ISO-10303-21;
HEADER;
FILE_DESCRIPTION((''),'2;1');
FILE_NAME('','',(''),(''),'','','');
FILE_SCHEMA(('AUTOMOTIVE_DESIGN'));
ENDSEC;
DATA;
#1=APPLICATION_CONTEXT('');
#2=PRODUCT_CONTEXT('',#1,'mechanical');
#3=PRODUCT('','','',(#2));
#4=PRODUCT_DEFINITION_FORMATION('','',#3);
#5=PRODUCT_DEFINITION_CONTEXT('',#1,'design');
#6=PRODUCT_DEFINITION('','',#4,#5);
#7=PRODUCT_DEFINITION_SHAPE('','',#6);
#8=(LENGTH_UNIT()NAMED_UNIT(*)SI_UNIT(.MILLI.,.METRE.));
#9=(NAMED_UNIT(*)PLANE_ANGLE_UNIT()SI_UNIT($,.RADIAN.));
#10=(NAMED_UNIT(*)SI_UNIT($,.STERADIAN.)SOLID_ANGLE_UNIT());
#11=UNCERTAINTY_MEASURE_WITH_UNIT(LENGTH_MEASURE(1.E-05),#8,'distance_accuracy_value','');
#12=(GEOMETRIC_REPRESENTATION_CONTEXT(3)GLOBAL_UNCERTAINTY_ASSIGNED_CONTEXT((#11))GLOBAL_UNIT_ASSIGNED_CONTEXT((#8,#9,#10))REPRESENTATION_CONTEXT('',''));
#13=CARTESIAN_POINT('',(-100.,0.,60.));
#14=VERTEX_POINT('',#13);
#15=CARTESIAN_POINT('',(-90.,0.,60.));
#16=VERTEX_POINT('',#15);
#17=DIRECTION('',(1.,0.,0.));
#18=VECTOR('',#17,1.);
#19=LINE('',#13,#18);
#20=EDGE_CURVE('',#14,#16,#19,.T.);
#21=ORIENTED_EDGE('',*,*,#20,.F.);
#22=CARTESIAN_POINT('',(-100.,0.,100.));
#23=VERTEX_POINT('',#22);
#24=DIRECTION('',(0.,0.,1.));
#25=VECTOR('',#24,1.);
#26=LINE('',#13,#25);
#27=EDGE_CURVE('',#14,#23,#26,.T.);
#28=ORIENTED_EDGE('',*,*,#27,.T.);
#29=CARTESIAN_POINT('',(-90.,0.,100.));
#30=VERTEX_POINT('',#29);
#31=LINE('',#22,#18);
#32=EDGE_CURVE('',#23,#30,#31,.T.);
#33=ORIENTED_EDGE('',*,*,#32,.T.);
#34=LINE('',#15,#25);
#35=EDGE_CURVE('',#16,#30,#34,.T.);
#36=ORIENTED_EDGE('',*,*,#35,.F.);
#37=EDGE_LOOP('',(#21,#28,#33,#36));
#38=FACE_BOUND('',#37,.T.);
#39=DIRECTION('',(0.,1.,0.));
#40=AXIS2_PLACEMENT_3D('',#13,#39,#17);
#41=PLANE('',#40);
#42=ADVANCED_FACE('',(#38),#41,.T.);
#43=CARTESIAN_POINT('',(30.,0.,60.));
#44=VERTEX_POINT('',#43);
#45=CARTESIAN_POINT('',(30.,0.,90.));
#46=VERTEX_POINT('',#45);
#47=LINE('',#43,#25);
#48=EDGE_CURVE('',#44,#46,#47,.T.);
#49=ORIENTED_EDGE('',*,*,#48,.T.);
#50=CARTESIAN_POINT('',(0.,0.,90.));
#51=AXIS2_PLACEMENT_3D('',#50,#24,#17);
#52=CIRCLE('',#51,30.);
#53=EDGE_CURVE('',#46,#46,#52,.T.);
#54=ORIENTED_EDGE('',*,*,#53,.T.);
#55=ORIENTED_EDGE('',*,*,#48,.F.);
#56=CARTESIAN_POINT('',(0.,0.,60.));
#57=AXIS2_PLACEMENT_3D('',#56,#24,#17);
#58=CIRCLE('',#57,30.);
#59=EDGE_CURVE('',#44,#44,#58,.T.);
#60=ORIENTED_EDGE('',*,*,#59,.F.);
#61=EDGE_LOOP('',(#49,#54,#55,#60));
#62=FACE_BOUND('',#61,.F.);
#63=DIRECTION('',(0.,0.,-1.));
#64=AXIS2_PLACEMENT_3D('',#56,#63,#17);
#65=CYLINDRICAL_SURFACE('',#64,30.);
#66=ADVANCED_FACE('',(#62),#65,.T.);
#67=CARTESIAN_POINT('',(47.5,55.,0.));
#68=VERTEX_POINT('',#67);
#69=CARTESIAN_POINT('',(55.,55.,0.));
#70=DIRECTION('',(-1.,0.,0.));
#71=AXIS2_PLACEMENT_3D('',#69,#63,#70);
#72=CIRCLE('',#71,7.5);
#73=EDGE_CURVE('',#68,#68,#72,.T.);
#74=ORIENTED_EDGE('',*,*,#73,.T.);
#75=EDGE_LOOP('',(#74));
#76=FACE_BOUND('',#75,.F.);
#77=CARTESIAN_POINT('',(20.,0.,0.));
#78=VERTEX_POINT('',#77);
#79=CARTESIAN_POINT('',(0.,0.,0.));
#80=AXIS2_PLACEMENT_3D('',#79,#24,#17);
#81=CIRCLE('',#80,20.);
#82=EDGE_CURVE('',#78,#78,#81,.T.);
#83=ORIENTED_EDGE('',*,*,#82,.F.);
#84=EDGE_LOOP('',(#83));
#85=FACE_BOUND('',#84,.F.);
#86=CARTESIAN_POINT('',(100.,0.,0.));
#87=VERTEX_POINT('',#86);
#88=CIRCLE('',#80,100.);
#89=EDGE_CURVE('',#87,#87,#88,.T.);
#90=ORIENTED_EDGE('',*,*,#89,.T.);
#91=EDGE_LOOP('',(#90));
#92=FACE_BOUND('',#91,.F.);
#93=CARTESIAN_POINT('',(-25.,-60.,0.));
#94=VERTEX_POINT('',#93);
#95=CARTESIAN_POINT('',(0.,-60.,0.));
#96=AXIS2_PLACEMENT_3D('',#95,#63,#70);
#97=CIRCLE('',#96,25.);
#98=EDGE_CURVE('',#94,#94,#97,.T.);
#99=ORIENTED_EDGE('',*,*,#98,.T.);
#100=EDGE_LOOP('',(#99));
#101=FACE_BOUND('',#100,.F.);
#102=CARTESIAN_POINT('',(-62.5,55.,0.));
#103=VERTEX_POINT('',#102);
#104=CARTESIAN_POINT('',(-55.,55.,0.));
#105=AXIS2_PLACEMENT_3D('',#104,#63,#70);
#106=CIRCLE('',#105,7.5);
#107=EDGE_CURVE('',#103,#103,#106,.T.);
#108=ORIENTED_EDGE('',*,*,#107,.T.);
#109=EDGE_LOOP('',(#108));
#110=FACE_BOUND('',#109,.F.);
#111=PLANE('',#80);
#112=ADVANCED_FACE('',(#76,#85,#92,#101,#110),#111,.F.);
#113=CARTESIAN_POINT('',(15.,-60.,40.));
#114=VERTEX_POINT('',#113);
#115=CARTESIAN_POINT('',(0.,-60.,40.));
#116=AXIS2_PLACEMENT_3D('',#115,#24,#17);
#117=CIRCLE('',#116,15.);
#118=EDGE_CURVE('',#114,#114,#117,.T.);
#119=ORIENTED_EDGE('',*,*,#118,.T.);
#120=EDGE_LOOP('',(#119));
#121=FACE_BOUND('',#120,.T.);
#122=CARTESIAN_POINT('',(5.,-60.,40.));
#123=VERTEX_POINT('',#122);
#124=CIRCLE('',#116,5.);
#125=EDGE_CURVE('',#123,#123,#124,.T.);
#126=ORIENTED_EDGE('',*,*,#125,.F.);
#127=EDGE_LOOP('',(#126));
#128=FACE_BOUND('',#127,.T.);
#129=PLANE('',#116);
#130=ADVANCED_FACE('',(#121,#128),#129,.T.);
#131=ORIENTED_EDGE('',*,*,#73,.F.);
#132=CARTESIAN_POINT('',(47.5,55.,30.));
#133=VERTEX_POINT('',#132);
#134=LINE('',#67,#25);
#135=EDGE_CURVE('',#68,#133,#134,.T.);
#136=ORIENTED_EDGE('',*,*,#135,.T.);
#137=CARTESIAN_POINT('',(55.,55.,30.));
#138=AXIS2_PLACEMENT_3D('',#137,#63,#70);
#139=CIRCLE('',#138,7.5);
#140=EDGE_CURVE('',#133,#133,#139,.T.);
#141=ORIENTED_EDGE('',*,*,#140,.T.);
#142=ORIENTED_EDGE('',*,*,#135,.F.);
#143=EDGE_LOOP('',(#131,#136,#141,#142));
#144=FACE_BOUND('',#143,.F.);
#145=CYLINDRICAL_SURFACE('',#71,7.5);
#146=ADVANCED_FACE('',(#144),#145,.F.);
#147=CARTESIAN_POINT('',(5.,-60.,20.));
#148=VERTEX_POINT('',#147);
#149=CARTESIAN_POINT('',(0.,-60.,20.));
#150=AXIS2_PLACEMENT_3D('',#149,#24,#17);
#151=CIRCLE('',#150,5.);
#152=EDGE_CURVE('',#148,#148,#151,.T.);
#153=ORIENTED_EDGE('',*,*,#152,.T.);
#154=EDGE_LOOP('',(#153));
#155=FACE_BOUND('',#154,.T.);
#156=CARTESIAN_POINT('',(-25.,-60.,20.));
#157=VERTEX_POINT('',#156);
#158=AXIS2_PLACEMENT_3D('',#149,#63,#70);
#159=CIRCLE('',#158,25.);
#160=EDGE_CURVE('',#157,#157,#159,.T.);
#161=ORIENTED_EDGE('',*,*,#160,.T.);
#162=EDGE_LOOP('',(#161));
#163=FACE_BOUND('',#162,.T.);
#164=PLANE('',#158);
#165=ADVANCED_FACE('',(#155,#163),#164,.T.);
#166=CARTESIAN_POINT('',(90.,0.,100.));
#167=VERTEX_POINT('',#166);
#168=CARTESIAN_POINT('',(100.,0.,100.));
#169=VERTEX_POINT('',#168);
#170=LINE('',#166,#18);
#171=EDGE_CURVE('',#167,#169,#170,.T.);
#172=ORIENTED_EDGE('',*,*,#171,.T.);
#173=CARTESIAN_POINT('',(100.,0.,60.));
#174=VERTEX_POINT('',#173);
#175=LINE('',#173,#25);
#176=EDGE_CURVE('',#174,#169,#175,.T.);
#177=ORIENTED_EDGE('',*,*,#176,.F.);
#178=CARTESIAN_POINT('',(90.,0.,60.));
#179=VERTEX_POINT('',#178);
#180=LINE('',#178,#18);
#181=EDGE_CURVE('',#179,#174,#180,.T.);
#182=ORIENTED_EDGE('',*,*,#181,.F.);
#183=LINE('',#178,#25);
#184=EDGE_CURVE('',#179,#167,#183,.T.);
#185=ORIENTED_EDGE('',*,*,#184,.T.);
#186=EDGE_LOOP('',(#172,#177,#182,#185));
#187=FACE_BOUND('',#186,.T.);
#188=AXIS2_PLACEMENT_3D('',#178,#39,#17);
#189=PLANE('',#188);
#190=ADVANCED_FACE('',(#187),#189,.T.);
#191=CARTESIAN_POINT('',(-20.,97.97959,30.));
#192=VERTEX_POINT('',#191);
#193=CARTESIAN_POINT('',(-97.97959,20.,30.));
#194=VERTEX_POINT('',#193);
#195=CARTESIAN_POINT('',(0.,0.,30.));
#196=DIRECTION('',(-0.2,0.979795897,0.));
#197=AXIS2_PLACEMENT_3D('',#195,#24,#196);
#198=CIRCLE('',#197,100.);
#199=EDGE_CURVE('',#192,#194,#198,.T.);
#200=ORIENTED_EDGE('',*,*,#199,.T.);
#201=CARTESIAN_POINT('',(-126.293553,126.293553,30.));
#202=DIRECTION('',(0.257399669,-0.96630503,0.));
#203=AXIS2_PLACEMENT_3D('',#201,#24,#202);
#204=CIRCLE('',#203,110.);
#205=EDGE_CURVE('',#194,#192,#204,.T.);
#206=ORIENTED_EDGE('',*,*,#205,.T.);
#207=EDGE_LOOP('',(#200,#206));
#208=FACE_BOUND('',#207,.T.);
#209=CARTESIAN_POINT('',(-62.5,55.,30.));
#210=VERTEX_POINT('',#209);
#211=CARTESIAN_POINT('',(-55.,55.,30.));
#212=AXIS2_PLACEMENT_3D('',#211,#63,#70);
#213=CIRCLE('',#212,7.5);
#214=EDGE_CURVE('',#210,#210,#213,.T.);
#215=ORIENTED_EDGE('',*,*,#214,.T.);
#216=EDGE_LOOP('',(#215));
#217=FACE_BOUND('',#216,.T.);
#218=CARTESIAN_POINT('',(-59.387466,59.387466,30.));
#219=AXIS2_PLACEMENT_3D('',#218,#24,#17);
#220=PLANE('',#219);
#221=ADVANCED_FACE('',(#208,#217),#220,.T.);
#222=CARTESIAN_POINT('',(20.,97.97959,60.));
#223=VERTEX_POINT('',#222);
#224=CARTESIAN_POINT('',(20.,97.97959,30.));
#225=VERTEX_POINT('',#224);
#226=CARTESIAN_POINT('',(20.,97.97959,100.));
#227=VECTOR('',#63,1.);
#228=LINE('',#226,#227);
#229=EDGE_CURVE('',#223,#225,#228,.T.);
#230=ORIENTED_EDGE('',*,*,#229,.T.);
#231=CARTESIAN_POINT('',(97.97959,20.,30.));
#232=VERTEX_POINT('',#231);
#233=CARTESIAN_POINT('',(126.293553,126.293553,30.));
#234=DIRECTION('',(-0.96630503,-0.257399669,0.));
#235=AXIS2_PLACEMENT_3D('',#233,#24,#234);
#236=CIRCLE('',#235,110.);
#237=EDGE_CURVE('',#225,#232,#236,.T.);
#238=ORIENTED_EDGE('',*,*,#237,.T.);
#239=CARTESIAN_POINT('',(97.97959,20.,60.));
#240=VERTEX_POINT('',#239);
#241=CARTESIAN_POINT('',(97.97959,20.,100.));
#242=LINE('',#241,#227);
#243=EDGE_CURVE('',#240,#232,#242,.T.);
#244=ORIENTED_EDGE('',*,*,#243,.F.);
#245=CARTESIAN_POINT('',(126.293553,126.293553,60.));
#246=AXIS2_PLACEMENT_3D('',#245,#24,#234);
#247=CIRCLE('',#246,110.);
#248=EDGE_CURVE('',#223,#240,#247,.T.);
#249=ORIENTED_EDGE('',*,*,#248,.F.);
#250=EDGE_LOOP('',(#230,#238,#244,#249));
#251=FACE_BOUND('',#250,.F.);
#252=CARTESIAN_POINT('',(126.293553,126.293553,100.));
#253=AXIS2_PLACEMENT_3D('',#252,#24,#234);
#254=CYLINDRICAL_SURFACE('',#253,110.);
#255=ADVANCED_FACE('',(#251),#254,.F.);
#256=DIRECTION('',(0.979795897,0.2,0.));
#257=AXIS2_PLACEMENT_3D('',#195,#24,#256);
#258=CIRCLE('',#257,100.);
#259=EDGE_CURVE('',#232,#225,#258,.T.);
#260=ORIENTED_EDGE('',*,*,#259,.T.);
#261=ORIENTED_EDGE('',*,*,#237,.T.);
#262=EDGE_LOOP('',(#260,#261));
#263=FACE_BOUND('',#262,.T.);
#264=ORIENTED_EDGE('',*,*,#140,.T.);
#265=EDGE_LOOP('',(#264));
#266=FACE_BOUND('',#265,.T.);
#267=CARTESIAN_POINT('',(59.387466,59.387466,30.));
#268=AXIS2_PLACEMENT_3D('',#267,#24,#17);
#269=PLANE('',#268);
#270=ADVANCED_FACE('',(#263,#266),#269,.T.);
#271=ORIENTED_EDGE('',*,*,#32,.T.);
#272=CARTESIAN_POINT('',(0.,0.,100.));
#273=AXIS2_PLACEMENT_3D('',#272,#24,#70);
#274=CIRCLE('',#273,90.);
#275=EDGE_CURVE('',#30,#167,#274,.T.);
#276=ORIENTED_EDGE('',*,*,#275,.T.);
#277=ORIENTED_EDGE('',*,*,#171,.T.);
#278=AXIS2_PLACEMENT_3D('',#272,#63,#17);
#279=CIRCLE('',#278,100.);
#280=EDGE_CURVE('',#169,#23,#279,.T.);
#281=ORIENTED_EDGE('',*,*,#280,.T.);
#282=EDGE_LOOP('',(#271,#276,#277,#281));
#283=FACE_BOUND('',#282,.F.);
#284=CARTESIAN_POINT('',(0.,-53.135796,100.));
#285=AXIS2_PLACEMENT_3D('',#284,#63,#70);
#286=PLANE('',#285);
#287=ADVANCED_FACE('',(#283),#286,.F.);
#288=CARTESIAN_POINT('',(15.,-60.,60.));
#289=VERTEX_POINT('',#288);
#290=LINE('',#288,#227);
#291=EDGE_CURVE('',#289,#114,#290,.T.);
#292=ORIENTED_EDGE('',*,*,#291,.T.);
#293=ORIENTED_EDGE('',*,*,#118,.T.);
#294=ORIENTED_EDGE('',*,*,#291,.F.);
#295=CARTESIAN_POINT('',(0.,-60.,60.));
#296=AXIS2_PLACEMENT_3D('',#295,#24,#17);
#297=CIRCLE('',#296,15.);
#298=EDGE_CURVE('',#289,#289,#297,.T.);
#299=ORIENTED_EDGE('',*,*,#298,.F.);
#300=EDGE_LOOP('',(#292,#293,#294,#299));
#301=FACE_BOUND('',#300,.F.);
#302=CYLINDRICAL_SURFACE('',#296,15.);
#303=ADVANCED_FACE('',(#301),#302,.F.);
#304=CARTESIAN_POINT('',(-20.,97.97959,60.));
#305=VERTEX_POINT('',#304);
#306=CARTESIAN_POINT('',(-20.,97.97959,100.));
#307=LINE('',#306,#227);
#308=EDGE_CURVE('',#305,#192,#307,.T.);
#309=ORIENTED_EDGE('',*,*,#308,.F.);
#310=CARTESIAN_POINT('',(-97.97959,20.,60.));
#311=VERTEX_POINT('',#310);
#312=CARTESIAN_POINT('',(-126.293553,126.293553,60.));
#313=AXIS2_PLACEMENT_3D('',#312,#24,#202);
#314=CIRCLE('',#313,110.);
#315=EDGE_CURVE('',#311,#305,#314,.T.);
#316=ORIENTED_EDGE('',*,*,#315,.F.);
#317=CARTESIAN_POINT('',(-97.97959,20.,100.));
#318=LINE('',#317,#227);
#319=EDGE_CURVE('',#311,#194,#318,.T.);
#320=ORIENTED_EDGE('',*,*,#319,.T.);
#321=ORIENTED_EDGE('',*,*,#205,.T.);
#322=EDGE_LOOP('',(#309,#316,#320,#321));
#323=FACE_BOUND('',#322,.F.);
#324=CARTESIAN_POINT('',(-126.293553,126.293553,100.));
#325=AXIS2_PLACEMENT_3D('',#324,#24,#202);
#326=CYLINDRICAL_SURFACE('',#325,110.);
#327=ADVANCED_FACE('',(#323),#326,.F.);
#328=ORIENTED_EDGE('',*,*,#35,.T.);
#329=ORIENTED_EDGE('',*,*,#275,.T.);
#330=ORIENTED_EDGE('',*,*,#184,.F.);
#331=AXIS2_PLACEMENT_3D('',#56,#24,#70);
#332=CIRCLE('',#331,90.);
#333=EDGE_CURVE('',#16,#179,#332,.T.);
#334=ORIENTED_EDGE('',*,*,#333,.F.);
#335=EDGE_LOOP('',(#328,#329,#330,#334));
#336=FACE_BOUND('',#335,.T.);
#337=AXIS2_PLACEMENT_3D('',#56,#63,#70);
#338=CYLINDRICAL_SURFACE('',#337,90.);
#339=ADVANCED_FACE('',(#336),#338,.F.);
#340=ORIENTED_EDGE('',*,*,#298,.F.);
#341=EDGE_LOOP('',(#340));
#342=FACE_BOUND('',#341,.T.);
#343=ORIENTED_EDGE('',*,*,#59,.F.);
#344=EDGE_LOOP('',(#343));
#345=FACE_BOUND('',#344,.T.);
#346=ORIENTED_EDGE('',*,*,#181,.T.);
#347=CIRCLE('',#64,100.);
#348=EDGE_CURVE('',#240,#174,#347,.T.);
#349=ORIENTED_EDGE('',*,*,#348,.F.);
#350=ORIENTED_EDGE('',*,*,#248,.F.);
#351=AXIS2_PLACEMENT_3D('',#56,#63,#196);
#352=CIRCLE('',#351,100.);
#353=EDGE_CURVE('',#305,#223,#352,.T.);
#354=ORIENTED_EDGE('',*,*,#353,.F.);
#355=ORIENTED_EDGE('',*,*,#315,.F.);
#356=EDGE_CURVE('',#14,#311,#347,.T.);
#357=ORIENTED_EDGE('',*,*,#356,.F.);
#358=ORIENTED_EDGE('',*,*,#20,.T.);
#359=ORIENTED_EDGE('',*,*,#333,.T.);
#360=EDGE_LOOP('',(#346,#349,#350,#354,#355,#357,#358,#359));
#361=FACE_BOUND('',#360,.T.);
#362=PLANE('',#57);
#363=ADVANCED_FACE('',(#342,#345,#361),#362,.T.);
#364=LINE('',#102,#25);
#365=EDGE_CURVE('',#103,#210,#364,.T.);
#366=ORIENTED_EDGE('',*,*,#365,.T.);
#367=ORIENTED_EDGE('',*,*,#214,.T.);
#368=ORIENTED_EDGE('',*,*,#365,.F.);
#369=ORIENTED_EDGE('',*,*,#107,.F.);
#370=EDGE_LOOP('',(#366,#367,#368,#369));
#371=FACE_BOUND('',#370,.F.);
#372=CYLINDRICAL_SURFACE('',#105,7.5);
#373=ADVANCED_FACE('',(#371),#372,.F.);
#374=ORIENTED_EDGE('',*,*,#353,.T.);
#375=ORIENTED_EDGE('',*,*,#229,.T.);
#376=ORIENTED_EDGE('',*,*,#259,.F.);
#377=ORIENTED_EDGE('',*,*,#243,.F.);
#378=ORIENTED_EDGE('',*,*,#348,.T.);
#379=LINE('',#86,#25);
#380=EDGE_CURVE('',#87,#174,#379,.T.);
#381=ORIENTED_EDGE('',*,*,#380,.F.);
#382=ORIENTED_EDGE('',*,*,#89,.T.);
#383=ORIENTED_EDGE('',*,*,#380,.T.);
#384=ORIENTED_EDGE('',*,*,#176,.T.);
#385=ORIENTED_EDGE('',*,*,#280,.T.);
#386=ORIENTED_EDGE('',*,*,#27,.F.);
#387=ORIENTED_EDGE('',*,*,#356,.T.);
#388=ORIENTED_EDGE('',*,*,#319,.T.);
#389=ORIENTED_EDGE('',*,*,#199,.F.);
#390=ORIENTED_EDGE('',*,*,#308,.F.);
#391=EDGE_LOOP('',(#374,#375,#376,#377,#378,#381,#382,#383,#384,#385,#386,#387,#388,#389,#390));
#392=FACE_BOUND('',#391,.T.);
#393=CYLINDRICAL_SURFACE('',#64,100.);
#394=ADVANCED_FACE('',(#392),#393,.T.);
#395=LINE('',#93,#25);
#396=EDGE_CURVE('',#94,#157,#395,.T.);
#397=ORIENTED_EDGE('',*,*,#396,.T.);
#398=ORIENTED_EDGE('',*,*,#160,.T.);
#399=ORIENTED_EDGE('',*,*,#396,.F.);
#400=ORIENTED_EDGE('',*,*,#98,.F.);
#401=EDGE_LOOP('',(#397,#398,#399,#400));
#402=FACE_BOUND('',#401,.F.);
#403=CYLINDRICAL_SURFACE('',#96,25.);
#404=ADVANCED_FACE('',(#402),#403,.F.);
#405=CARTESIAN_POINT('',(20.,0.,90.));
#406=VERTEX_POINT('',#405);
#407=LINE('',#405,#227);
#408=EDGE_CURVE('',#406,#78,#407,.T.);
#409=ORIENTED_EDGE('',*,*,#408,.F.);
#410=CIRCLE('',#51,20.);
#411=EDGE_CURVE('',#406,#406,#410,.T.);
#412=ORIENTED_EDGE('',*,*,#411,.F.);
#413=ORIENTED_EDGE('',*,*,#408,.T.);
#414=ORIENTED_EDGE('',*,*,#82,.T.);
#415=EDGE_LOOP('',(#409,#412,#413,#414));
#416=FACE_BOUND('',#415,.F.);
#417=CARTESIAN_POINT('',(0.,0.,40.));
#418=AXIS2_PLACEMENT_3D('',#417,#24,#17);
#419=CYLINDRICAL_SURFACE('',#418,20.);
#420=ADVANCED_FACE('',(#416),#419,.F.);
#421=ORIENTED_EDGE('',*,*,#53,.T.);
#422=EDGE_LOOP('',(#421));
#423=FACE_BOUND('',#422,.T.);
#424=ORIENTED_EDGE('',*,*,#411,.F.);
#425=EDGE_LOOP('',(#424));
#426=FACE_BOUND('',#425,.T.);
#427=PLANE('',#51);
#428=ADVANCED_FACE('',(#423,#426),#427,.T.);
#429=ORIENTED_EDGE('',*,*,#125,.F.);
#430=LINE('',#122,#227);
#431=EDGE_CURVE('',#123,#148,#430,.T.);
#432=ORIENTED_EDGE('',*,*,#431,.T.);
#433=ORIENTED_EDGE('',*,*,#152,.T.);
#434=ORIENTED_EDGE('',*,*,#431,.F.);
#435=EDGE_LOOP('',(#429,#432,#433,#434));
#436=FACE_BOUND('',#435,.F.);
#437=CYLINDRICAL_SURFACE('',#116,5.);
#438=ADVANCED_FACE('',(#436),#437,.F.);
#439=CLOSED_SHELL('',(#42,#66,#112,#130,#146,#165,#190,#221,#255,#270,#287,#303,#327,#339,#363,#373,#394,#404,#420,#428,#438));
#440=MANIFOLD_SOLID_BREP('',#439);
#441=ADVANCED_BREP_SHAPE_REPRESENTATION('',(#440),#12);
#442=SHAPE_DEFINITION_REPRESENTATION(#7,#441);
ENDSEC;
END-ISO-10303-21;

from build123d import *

# Parameters (mm, degrees)
SKETCH1_R           = 100
BOSS_EXTRUDE1_DEPTH = 100
SKETCH3_R           = 7.5
CUT_EXTRUDE2_DEPTH  = 30
CUT_EXTRUDE3_DEPTH  = 70
SKETCH5_W           = 200
SKETCH5_H           = 200
CUT_EXTRUDE4_DEPTH  = 70
BOSS_EXTRUDE2_DEPTH = 40
SKETCH7_R           = 15
CUT_EXTRUDE5_DEPTH  = 20
SKETCH8_R           = 5
CUT_EXTRUDE6_DEPTH  = 89
SKETCH9_R           = 25
CUT_EXTRUDE7_DEPTH  = 20
SKETCH10_R          = 30
BOSS_EXTRUDE4_DEPTH = 30
SKETCH12_R          = 20
CUT_EXTRUDE9_DEPTH  = 50
SKETCH13_R          = 20
CUT_EXTRUDE10_DEPTH = 50


with BuildPart() as part:
    # Sketch1 → Boss-Extrude1 (new body)
    with BuildSketch(Plane.XY):
        Circle(SKETCH1_R)
    extrude(amount=BOSS_EXTRUDE1_DEPTH)

    # Sketch3 → Cut-Extrude2 (cut)
    with BuildSketch(Plane(origin=(0, 0, 0), x_dir=(-1, 0, 0), z_dir=(0, 0, -1))):
        with Locations((-55, 55)):
            Circle(SKETCH3_R)
        with Locations((55, 55)):
            Circle(SKETCH3_R)
    extrude(amount=-CUT_EXTRUDE2_DEPTH, mode=Mode.SUBTRACT)

    # Sketch4 → Cut-Extrude3 (cut)
    with BuildSketch(Plane.XY.offset(100)):
        with BuildLine():
            ThreePointArc((-97.979589711, 20), (-48.511807343, 48.511807343), (-20, 97.979589711))
            ThreePointArc((-20, 97.979589711), (-70.710678119, 70.710678119), (-97.979589711, 20))
        make_face()
        with BuildLine():
            ThreePointArc((97.979589711, 20), (70.710678119, 70.710678119), (20, 97.979589711))
            ThreePointArc((20, 97.979589711), (48.511807343, 48.511807343), (97.979589711, 20))
        make_face()
    extrude(amount=-CUT_EXTRUDE3_DEPTH, mode=Mode.SUBTRACT)

    # Sketch5 → Cut-Extrude4 (cut)
    with BuildSketch(Plane.XY.offset(60)):
        Rectangle(SKETCH5_W, SKETCH5_H)
    extrude(amount=CUT_EXTRUDE4_DEPTH, mode=Mode.SUBTRACT)

    # Sketch6 → Boss-Extrude2 (add)
    with BuildSketch(Plane.XY.offset(60)):
        with BuildLine():
            Line((-100, 0), (-90, 0))
            ThreePointArc((-90, 0), (0, -90), (90, 0))
            Line((90, 0), (100, 0))
            ThreePointArc((100, 0), (0, -100), (-100, 0))
        make_face()
    extrude(amount=BOSS_EXTRUDE2_DEPTH)

    # Sketch7 → Cut-Extrude5 (cut)
    with BuildSketch(Plane.XY.offset(60)):
        with Locations((0, -60)):
            Circle(SKETCH7_R)
    extrude(amount=-CUT_EXTRUDE5_DEPTH, mode=Mode.SUBTRACT)

    # Sketch8 → Cut-Extrude6 (cut)
    with BuildSketch(Plane.XY.offset(40)):
        with Locations((0, -60)):
            Circle(SKETCH8_R)
    extrude(amount=-CUT_EXTRUDE6_DEPTH, mode=Mode.SUBTRACT)

    # Sketch9 → Cut-Extrude7 (cut)
    with BuildSketch(Plane(origin=(0, 0, 0), x_dir=(-1, 0, 0), z_dir=(0, 0, -1))):
        with Locations((0, -60)):
            Circle(SKETCH9_R)
    extrude(amount=-CUT_EXTRUDE7_DEPTH, mode=Mode.SUBTRACT)

    # Sketch10 → Boss-Extrude4 (add)
    with BuildSketch(Plane.XY.offset(60)):
        Circle(SKETCH10_R)
    extrude(amount=BOSS_EXTRUDE4_DEPTH)

    # Sketch12 → Cut-Extrude9 (cut)
    with BuildSketch(Plane.XY.offset(90)):
        Circle(SKETCH12_R)
    extrude(amount=-CUT_EXTRUDE9_DEPTH, mode=Mode.SUBTRACT)

    # Sketch13 → Cut-Extrude10 (cut)
    with BuildSketch(Plane.XY.offset(40)):
        Circle(SKETCH13_R)
    extrude(amount=-CUT_EXTRUDE10_DEPTH, mode=Mode.SUBTRACT)


solid = part.part
